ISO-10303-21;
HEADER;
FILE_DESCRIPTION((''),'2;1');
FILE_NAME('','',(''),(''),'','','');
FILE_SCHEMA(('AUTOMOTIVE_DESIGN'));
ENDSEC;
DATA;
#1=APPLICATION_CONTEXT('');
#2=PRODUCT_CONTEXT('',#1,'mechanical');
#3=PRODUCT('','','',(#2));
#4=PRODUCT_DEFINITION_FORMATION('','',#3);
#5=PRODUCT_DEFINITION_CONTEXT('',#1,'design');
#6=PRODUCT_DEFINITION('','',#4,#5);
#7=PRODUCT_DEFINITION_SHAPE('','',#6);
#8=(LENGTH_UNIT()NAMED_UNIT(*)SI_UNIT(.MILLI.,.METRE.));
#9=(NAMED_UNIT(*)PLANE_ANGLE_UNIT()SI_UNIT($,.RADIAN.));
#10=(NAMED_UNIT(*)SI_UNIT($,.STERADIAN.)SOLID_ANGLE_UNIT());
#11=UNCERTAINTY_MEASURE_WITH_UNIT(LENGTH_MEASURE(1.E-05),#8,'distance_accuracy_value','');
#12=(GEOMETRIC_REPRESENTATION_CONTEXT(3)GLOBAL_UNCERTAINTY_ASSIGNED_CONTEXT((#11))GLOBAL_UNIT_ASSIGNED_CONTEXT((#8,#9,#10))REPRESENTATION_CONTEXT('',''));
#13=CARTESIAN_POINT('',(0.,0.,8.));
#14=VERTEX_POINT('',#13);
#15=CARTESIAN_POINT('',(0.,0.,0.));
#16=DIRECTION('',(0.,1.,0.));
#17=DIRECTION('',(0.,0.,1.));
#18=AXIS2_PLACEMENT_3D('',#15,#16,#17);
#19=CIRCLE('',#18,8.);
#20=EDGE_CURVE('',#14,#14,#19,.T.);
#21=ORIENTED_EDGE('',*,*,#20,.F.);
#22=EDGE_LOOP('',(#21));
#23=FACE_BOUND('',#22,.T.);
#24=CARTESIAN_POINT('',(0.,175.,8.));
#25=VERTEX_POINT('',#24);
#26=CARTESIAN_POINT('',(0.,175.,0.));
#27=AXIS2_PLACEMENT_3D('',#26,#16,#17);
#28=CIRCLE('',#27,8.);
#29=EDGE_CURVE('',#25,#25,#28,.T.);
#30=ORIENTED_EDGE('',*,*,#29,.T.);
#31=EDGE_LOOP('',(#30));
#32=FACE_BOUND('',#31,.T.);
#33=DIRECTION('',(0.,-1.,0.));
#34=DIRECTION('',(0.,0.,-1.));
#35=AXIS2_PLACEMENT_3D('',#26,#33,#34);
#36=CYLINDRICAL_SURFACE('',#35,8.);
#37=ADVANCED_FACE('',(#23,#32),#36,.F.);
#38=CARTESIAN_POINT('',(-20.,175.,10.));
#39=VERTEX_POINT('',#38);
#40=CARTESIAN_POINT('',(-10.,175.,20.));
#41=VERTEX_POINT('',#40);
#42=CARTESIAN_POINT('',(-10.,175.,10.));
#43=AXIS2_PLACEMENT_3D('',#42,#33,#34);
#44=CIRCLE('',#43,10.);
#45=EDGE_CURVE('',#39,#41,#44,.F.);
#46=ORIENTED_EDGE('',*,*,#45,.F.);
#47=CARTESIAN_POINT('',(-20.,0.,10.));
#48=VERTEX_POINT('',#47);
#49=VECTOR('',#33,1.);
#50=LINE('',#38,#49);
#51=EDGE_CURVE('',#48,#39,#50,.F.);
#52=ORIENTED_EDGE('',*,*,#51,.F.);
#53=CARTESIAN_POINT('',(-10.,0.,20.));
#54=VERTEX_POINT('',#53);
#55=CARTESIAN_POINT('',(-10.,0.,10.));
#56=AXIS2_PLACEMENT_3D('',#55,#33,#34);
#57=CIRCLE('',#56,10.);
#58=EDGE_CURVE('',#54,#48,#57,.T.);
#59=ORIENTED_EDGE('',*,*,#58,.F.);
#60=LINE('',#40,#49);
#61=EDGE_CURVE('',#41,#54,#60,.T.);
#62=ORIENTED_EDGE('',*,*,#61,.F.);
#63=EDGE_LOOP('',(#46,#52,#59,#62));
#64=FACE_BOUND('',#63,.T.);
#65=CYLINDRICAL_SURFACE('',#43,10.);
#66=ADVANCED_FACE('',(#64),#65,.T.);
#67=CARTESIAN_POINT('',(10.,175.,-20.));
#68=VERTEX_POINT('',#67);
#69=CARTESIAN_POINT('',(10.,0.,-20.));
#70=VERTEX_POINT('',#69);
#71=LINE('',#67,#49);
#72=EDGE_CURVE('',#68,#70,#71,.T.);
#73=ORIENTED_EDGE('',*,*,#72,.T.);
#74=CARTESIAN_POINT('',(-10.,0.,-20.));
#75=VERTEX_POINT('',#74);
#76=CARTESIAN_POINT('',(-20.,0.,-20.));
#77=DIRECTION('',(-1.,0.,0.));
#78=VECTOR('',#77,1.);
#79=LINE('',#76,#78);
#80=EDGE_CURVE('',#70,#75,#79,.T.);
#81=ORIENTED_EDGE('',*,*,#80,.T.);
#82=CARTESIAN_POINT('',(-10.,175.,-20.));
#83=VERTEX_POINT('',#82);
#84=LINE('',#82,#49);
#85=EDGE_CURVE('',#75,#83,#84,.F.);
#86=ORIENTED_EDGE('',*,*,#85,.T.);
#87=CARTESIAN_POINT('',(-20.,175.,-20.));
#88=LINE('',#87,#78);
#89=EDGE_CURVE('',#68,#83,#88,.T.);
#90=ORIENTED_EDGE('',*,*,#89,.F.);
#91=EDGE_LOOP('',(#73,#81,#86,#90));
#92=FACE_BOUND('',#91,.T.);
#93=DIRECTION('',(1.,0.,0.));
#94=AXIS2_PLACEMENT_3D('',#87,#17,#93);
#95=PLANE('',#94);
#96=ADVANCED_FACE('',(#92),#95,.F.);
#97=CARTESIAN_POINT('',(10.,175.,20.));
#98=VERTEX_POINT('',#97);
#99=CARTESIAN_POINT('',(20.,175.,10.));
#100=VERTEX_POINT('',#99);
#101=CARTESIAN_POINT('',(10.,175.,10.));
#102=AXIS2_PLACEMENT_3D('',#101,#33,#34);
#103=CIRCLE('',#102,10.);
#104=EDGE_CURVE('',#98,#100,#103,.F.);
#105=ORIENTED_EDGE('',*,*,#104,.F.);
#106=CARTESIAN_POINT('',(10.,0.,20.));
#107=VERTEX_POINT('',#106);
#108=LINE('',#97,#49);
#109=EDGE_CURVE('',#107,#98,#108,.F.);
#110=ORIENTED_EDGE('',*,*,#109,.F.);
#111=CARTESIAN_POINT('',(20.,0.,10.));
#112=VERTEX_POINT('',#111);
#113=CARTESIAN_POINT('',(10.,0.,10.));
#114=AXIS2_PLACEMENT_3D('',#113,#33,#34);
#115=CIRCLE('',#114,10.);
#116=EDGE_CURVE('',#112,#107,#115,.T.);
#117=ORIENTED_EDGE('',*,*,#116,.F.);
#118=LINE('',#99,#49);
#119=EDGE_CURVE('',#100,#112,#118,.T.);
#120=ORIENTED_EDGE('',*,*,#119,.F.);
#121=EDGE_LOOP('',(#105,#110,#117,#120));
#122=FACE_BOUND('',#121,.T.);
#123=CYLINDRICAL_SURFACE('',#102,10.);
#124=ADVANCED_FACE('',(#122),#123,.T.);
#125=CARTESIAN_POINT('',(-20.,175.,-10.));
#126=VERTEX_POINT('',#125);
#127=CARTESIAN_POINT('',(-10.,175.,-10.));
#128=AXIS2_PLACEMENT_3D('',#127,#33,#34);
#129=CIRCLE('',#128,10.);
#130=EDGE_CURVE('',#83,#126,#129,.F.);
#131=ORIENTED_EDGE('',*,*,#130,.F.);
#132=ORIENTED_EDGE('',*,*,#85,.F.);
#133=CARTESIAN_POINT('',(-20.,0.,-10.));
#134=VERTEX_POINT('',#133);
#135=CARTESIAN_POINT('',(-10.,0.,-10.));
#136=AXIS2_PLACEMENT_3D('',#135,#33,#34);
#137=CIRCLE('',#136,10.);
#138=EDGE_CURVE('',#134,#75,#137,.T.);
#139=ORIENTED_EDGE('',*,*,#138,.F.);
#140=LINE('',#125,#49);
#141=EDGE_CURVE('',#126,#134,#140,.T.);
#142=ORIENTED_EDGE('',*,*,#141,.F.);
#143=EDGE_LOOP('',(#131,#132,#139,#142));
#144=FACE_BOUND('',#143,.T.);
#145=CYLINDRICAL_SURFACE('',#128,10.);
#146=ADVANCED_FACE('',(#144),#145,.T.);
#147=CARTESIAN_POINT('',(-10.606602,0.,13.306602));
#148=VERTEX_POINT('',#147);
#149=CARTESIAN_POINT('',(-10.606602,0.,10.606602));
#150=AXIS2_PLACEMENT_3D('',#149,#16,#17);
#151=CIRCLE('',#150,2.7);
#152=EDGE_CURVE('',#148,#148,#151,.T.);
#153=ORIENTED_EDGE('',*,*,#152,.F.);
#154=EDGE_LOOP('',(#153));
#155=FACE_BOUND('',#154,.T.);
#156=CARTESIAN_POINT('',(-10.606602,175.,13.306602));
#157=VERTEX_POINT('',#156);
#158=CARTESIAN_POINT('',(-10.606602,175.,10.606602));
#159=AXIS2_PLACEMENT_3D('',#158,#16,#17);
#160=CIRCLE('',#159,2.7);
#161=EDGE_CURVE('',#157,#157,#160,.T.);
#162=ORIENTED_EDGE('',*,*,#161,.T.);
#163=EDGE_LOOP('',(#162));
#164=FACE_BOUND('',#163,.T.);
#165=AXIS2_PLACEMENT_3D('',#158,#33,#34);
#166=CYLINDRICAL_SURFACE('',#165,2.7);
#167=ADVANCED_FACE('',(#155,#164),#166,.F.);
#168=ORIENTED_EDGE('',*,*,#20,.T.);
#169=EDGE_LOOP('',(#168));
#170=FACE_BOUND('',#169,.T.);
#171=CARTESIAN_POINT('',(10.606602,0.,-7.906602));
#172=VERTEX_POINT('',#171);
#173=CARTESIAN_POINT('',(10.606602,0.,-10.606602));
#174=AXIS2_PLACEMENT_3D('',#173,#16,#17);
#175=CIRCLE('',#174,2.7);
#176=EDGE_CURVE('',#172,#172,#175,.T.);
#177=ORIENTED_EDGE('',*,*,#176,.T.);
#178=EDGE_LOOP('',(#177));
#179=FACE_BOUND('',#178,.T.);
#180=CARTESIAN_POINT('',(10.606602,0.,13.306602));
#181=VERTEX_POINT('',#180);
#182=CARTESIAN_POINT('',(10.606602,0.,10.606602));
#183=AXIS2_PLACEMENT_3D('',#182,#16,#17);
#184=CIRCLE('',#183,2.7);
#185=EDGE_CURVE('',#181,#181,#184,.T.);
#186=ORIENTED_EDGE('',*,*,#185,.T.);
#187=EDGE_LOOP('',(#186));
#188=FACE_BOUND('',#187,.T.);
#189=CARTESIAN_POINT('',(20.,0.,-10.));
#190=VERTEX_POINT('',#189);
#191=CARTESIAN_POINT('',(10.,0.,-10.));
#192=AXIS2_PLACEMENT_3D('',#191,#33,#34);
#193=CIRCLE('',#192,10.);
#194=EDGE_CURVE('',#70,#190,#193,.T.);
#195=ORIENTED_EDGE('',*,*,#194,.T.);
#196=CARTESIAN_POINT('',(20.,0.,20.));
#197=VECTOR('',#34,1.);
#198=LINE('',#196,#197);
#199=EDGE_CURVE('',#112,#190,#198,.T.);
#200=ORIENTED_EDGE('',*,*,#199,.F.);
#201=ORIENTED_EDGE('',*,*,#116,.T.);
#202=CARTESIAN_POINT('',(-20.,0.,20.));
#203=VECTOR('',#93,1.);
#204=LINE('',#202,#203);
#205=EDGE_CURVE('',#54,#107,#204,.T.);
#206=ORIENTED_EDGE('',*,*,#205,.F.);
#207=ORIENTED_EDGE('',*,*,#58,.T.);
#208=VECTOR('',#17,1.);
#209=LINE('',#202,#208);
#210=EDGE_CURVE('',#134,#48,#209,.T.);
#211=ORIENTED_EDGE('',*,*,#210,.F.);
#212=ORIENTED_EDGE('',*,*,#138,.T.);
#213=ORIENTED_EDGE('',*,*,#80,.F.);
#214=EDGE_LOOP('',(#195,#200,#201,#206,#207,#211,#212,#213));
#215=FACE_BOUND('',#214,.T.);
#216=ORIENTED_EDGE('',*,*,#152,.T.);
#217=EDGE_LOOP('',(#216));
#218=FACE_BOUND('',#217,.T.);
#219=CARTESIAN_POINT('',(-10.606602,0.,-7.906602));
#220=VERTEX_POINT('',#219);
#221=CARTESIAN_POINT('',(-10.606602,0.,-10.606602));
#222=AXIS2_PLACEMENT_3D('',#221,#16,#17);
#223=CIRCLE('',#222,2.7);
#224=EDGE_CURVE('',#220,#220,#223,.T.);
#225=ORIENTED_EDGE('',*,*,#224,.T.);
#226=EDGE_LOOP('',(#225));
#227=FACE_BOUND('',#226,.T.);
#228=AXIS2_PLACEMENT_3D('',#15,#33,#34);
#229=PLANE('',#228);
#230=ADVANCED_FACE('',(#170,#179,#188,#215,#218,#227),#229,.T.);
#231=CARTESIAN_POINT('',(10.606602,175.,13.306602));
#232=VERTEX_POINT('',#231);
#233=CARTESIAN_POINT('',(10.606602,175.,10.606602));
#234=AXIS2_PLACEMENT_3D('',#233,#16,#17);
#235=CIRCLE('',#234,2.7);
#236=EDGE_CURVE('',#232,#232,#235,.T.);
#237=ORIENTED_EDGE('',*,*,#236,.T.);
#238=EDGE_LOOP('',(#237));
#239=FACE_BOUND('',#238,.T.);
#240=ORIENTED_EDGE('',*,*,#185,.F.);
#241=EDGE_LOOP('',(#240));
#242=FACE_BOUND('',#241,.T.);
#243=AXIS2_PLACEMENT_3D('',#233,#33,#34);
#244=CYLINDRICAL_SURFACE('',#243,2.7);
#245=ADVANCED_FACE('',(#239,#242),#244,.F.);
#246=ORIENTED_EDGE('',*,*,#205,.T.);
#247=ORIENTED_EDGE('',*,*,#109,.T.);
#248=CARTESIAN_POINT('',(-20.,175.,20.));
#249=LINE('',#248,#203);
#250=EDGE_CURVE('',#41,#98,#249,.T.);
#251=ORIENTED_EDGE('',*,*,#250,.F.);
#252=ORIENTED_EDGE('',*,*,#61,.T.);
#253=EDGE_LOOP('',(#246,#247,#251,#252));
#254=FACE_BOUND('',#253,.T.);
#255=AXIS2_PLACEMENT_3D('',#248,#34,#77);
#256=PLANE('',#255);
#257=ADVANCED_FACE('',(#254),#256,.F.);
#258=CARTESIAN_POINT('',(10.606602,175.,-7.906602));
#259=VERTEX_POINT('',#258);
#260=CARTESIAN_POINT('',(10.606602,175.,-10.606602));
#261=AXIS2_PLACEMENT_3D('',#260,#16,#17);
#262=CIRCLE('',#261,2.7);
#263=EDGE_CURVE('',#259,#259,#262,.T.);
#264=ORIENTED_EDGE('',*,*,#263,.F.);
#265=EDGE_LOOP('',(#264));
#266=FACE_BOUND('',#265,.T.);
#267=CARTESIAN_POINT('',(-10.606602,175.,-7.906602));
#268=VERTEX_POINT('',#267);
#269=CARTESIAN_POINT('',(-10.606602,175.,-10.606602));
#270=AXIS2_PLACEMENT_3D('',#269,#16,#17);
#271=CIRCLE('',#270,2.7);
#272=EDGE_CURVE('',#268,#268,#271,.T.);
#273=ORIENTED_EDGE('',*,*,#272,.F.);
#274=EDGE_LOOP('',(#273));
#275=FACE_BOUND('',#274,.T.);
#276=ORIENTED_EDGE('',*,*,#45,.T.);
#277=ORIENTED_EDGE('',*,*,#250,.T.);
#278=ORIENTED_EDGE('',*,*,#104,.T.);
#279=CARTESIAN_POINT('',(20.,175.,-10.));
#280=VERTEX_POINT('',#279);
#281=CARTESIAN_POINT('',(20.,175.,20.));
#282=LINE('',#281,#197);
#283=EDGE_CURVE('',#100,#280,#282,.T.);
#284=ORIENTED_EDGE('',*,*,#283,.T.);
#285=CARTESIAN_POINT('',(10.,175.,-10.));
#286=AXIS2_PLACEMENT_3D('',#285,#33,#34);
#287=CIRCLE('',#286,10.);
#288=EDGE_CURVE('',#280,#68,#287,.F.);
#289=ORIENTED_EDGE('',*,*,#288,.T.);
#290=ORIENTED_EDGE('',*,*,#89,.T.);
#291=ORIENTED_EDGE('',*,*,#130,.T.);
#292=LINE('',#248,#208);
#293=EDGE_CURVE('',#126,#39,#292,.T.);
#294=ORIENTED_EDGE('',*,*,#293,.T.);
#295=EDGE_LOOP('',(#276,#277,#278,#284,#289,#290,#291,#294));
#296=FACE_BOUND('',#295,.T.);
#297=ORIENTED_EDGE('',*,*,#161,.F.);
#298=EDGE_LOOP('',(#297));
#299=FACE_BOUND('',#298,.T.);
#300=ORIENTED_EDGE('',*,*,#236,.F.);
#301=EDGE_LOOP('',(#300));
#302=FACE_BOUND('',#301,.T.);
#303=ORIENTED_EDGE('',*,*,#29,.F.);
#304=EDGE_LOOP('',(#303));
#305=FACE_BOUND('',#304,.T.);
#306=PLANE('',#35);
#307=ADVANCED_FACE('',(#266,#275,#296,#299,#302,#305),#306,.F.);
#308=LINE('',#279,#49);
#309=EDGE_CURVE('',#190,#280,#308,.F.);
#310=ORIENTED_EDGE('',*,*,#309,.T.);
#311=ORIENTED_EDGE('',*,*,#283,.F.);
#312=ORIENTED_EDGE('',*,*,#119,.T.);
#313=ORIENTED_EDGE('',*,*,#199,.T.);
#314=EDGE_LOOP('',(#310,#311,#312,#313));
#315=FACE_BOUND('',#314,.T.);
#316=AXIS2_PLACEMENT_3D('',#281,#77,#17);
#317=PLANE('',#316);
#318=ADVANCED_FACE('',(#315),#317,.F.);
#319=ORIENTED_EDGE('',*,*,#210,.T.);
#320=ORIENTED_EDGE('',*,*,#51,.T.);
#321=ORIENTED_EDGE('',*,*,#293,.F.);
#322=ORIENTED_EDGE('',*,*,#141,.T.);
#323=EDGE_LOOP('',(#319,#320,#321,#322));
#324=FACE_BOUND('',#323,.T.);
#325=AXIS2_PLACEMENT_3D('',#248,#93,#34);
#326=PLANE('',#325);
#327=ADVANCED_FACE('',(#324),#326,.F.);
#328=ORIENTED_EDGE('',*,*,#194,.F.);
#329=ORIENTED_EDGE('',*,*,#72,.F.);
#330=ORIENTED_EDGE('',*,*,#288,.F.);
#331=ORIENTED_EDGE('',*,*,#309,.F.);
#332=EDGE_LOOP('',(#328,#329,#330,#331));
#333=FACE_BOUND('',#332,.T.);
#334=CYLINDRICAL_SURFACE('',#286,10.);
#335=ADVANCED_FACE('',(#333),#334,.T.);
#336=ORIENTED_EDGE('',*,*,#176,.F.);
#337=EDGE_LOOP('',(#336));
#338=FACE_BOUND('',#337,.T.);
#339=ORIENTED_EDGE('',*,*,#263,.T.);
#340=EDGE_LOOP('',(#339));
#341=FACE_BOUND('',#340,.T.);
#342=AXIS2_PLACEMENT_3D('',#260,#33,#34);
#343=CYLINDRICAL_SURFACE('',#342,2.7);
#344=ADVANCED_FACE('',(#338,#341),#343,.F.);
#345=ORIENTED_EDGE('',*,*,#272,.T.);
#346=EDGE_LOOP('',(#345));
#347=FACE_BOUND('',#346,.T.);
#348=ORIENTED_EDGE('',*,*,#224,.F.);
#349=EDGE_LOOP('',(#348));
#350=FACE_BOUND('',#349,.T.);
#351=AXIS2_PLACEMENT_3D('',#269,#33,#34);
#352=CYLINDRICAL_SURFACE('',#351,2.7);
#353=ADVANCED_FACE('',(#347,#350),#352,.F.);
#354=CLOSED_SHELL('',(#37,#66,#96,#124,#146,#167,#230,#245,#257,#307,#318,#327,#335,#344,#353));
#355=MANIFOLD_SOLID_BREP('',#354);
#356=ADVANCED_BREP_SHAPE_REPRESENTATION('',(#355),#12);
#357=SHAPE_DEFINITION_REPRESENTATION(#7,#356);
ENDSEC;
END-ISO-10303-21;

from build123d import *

# Parameters (mm, degrees)
SKETCH1_W           = 40
SKETCH1_H           = 40
SKETCH1_R           = 2.7
SKETCH1_R_2         = 8
BOSS_EXTRUDE1_DEPTH = 175
FILLET1_R           = 10


with BuildPart() as part:
    # Sketch1 → Boss-Extrude1 (new body)
    with BuildSketch(Plane(origin=(0, 0, 0), x_dir=(1, 0, 0), z_dir=(0, 1, 0))):
        Rectangle(SKETCH1_W, SKETCH1_H)
        with Locations(Location((-10.606601718, 10.606601718, 0), (0, 0, 270))):
            Circle(SKETCH1_R, mode=Mode.SUBTRACT)
        with Locations(Location((10.606601718, 10.606601718, 0), (0, 0, 270))):
            Circle(SKETCH1_R, mode=Mode.SUBTRACT)
        with Locations(Location((10.606601718, -10.606601718, 0), (0, 0, 270))):
            Circle(SKETCH1_R, mode=Mode.SUBTRACT)
        with Locations(Location((-10.606601718, -10.606601718, 0), (0, 0, 270))):
            Circle(SKETCH1_R, mode=Mode.SUBTRACT)
        with Locations(Location((0, 0, 0), (0, 0, 270))):
            Circle(SKETCH1_R_2, mode=Mode.SUBTRACT)
    extrude(amount=BOSS_EXTRUDE1_DEPTH)

    # Fillet1
    fillet1_edges = [part.edges().sort_by_distance(p)[0] for p in [
        (20, 87.5, 20),
        (-20, 87.5, 20),
        (-20, 87.5, -20),
        (20, 87.5, -20),
    ]]
    fillet(fillet1_edges, radius=FILLET1_R)


solid = part.part
